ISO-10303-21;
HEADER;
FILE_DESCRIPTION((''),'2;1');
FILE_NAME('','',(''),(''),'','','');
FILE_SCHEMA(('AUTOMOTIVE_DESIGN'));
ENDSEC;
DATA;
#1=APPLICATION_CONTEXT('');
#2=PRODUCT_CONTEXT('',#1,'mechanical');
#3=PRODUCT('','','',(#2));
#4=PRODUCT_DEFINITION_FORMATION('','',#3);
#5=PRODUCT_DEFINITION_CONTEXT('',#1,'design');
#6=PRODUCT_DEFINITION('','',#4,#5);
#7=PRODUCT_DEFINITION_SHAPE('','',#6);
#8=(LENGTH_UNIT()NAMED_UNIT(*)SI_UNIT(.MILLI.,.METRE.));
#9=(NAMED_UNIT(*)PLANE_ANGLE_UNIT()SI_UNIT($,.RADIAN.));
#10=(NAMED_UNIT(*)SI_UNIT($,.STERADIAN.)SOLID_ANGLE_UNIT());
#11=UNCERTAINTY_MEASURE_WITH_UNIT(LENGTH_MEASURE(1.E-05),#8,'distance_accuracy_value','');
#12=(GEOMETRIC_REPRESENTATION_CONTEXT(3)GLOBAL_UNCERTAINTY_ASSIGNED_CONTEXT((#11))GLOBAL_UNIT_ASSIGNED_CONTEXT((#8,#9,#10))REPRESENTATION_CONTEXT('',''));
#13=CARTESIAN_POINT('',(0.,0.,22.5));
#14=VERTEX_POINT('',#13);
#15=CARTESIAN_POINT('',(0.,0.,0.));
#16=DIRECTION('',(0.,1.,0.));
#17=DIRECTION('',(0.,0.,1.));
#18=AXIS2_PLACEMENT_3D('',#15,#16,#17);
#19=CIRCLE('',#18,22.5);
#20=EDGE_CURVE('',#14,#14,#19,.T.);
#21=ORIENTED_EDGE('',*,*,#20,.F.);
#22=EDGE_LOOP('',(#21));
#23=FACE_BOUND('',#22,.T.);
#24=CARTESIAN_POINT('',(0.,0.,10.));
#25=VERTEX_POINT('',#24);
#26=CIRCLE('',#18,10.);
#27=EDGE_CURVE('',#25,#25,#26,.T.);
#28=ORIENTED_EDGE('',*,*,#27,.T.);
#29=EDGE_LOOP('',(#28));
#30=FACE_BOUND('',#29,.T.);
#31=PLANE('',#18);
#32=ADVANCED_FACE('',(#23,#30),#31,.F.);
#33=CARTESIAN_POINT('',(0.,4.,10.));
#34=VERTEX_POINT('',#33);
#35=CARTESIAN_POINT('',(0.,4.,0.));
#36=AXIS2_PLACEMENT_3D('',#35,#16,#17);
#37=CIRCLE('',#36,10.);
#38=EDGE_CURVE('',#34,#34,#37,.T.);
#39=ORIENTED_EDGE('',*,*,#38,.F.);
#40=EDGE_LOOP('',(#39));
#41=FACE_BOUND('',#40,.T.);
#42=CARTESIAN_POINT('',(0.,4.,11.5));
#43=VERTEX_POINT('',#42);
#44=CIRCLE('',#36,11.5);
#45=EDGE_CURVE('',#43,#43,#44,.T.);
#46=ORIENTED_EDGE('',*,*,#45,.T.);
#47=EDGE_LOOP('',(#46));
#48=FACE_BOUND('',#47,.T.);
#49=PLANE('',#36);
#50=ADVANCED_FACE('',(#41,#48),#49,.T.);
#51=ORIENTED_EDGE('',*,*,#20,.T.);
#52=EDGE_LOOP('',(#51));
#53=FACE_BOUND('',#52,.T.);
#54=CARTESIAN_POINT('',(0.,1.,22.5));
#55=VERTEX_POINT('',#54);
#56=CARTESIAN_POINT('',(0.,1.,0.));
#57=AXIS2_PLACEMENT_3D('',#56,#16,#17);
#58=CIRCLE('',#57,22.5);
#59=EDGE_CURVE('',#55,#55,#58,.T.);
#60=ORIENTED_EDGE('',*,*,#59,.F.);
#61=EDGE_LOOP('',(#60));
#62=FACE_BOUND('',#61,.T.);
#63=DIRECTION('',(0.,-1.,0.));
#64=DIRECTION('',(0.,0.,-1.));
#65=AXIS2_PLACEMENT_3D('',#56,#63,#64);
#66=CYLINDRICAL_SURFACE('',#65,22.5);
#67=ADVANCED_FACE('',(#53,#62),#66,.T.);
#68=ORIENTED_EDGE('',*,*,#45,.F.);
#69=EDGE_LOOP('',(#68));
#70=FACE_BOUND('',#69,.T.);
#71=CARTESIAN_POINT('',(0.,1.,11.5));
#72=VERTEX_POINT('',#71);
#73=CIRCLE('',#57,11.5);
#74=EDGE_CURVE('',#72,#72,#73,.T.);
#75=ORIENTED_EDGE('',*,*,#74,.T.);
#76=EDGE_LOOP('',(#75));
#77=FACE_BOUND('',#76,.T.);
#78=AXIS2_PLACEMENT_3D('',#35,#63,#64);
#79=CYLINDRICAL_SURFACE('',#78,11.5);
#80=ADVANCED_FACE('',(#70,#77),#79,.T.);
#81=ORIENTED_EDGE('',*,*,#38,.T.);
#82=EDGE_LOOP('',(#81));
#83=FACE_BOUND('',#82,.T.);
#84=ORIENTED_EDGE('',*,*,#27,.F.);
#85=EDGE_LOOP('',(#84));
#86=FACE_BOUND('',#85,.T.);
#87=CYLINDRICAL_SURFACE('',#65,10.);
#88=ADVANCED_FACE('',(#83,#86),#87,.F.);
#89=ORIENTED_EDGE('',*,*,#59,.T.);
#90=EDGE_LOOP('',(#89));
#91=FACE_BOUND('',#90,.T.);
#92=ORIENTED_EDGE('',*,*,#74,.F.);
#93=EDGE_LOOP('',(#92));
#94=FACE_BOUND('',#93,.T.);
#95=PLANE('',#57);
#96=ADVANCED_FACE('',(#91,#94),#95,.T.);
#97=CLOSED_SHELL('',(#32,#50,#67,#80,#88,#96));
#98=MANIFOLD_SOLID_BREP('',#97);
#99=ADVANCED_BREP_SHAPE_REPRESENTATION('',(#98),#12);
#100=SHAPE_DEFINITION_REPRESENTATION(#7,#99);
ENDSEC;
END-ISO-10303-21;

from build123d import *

# Parameters (mm, degrees)
ESQUISSE4_R             = 22.5
ESQUISSE4_R_2           = 10
BOSS_EXTRU_1_DEPTH      = 1
ESQUISSE5_R             = 11.5
BOSS_EXTRU_2_DEPTH      = 3
ENL_V_MAT_EXTRU_1_REACH = 6
ESQUISSE6_R             = 10


with BuildPart() as part:
    # Esquisse4 → Boss.-Extru.1 (new body)
    with BuildSketch(Plane(origin=(0, 0, 0), x_dir=(1, 0, 0), z_dir=(0, 1, 0))):
        with Locations(Location((0, 0, 0), (0, 0, 270))):  # turned: the seam where the file's is
            Circle(ESQUISSE4_R)
        with Locations(Location((0, 0, 0), (0, 0, 270))):  # turned: the seam where the file's is
            Circle(ESQUISSE4_R_2, mode=Mode.SUBTRACT)
    extrude(amount=BOSS_EXTRU_1_DEPTH)

    # Esquisse5 → Boss.-Extru.2 (add)
    with BuildSketch(Plane(origin=(0, 1, 0), x_dir=(1, 0, 0), z_dir=(0, 1, 0))):
        with Locations(Location((0, 0, 0), (0, 0, 270))):  # turned: the seam where the file's is
            Circle(ESQUISSE5_R)
    extrude(amount=BOSS_EXTRU_2_DEPTH)

    # Esquisse6 → Enlèv. mat.-Extru.1 (cut, up to next)
    with BuildSketch(Plane(origin=(0, 4, 0), x_dir=(1, 0, 0), z_dir=(0, 1, 0)), mode=Mode.PRIVATE) as enl_v_mat_extru_1_sk1:
        with Locations(Location((0, 0, 0), (0, 0, 270))):  # turned: the seam where the file's is
            Circle(ESQUISSE6_R)
    enl_v_mat_extru_1_tool1 = extrude(enl_v_mat_extru_1_sk1.sketch, amount=-ENL_V_MAT_EXTRU_1_REACH, mode=Mode.PRIVATE) & part.part
    add(enl_v_mat_extru_1_tool1.solids().sort_by_distance((0, 4, 0))[0], mode=Mode.SUBTRACT)


solid = part.part
